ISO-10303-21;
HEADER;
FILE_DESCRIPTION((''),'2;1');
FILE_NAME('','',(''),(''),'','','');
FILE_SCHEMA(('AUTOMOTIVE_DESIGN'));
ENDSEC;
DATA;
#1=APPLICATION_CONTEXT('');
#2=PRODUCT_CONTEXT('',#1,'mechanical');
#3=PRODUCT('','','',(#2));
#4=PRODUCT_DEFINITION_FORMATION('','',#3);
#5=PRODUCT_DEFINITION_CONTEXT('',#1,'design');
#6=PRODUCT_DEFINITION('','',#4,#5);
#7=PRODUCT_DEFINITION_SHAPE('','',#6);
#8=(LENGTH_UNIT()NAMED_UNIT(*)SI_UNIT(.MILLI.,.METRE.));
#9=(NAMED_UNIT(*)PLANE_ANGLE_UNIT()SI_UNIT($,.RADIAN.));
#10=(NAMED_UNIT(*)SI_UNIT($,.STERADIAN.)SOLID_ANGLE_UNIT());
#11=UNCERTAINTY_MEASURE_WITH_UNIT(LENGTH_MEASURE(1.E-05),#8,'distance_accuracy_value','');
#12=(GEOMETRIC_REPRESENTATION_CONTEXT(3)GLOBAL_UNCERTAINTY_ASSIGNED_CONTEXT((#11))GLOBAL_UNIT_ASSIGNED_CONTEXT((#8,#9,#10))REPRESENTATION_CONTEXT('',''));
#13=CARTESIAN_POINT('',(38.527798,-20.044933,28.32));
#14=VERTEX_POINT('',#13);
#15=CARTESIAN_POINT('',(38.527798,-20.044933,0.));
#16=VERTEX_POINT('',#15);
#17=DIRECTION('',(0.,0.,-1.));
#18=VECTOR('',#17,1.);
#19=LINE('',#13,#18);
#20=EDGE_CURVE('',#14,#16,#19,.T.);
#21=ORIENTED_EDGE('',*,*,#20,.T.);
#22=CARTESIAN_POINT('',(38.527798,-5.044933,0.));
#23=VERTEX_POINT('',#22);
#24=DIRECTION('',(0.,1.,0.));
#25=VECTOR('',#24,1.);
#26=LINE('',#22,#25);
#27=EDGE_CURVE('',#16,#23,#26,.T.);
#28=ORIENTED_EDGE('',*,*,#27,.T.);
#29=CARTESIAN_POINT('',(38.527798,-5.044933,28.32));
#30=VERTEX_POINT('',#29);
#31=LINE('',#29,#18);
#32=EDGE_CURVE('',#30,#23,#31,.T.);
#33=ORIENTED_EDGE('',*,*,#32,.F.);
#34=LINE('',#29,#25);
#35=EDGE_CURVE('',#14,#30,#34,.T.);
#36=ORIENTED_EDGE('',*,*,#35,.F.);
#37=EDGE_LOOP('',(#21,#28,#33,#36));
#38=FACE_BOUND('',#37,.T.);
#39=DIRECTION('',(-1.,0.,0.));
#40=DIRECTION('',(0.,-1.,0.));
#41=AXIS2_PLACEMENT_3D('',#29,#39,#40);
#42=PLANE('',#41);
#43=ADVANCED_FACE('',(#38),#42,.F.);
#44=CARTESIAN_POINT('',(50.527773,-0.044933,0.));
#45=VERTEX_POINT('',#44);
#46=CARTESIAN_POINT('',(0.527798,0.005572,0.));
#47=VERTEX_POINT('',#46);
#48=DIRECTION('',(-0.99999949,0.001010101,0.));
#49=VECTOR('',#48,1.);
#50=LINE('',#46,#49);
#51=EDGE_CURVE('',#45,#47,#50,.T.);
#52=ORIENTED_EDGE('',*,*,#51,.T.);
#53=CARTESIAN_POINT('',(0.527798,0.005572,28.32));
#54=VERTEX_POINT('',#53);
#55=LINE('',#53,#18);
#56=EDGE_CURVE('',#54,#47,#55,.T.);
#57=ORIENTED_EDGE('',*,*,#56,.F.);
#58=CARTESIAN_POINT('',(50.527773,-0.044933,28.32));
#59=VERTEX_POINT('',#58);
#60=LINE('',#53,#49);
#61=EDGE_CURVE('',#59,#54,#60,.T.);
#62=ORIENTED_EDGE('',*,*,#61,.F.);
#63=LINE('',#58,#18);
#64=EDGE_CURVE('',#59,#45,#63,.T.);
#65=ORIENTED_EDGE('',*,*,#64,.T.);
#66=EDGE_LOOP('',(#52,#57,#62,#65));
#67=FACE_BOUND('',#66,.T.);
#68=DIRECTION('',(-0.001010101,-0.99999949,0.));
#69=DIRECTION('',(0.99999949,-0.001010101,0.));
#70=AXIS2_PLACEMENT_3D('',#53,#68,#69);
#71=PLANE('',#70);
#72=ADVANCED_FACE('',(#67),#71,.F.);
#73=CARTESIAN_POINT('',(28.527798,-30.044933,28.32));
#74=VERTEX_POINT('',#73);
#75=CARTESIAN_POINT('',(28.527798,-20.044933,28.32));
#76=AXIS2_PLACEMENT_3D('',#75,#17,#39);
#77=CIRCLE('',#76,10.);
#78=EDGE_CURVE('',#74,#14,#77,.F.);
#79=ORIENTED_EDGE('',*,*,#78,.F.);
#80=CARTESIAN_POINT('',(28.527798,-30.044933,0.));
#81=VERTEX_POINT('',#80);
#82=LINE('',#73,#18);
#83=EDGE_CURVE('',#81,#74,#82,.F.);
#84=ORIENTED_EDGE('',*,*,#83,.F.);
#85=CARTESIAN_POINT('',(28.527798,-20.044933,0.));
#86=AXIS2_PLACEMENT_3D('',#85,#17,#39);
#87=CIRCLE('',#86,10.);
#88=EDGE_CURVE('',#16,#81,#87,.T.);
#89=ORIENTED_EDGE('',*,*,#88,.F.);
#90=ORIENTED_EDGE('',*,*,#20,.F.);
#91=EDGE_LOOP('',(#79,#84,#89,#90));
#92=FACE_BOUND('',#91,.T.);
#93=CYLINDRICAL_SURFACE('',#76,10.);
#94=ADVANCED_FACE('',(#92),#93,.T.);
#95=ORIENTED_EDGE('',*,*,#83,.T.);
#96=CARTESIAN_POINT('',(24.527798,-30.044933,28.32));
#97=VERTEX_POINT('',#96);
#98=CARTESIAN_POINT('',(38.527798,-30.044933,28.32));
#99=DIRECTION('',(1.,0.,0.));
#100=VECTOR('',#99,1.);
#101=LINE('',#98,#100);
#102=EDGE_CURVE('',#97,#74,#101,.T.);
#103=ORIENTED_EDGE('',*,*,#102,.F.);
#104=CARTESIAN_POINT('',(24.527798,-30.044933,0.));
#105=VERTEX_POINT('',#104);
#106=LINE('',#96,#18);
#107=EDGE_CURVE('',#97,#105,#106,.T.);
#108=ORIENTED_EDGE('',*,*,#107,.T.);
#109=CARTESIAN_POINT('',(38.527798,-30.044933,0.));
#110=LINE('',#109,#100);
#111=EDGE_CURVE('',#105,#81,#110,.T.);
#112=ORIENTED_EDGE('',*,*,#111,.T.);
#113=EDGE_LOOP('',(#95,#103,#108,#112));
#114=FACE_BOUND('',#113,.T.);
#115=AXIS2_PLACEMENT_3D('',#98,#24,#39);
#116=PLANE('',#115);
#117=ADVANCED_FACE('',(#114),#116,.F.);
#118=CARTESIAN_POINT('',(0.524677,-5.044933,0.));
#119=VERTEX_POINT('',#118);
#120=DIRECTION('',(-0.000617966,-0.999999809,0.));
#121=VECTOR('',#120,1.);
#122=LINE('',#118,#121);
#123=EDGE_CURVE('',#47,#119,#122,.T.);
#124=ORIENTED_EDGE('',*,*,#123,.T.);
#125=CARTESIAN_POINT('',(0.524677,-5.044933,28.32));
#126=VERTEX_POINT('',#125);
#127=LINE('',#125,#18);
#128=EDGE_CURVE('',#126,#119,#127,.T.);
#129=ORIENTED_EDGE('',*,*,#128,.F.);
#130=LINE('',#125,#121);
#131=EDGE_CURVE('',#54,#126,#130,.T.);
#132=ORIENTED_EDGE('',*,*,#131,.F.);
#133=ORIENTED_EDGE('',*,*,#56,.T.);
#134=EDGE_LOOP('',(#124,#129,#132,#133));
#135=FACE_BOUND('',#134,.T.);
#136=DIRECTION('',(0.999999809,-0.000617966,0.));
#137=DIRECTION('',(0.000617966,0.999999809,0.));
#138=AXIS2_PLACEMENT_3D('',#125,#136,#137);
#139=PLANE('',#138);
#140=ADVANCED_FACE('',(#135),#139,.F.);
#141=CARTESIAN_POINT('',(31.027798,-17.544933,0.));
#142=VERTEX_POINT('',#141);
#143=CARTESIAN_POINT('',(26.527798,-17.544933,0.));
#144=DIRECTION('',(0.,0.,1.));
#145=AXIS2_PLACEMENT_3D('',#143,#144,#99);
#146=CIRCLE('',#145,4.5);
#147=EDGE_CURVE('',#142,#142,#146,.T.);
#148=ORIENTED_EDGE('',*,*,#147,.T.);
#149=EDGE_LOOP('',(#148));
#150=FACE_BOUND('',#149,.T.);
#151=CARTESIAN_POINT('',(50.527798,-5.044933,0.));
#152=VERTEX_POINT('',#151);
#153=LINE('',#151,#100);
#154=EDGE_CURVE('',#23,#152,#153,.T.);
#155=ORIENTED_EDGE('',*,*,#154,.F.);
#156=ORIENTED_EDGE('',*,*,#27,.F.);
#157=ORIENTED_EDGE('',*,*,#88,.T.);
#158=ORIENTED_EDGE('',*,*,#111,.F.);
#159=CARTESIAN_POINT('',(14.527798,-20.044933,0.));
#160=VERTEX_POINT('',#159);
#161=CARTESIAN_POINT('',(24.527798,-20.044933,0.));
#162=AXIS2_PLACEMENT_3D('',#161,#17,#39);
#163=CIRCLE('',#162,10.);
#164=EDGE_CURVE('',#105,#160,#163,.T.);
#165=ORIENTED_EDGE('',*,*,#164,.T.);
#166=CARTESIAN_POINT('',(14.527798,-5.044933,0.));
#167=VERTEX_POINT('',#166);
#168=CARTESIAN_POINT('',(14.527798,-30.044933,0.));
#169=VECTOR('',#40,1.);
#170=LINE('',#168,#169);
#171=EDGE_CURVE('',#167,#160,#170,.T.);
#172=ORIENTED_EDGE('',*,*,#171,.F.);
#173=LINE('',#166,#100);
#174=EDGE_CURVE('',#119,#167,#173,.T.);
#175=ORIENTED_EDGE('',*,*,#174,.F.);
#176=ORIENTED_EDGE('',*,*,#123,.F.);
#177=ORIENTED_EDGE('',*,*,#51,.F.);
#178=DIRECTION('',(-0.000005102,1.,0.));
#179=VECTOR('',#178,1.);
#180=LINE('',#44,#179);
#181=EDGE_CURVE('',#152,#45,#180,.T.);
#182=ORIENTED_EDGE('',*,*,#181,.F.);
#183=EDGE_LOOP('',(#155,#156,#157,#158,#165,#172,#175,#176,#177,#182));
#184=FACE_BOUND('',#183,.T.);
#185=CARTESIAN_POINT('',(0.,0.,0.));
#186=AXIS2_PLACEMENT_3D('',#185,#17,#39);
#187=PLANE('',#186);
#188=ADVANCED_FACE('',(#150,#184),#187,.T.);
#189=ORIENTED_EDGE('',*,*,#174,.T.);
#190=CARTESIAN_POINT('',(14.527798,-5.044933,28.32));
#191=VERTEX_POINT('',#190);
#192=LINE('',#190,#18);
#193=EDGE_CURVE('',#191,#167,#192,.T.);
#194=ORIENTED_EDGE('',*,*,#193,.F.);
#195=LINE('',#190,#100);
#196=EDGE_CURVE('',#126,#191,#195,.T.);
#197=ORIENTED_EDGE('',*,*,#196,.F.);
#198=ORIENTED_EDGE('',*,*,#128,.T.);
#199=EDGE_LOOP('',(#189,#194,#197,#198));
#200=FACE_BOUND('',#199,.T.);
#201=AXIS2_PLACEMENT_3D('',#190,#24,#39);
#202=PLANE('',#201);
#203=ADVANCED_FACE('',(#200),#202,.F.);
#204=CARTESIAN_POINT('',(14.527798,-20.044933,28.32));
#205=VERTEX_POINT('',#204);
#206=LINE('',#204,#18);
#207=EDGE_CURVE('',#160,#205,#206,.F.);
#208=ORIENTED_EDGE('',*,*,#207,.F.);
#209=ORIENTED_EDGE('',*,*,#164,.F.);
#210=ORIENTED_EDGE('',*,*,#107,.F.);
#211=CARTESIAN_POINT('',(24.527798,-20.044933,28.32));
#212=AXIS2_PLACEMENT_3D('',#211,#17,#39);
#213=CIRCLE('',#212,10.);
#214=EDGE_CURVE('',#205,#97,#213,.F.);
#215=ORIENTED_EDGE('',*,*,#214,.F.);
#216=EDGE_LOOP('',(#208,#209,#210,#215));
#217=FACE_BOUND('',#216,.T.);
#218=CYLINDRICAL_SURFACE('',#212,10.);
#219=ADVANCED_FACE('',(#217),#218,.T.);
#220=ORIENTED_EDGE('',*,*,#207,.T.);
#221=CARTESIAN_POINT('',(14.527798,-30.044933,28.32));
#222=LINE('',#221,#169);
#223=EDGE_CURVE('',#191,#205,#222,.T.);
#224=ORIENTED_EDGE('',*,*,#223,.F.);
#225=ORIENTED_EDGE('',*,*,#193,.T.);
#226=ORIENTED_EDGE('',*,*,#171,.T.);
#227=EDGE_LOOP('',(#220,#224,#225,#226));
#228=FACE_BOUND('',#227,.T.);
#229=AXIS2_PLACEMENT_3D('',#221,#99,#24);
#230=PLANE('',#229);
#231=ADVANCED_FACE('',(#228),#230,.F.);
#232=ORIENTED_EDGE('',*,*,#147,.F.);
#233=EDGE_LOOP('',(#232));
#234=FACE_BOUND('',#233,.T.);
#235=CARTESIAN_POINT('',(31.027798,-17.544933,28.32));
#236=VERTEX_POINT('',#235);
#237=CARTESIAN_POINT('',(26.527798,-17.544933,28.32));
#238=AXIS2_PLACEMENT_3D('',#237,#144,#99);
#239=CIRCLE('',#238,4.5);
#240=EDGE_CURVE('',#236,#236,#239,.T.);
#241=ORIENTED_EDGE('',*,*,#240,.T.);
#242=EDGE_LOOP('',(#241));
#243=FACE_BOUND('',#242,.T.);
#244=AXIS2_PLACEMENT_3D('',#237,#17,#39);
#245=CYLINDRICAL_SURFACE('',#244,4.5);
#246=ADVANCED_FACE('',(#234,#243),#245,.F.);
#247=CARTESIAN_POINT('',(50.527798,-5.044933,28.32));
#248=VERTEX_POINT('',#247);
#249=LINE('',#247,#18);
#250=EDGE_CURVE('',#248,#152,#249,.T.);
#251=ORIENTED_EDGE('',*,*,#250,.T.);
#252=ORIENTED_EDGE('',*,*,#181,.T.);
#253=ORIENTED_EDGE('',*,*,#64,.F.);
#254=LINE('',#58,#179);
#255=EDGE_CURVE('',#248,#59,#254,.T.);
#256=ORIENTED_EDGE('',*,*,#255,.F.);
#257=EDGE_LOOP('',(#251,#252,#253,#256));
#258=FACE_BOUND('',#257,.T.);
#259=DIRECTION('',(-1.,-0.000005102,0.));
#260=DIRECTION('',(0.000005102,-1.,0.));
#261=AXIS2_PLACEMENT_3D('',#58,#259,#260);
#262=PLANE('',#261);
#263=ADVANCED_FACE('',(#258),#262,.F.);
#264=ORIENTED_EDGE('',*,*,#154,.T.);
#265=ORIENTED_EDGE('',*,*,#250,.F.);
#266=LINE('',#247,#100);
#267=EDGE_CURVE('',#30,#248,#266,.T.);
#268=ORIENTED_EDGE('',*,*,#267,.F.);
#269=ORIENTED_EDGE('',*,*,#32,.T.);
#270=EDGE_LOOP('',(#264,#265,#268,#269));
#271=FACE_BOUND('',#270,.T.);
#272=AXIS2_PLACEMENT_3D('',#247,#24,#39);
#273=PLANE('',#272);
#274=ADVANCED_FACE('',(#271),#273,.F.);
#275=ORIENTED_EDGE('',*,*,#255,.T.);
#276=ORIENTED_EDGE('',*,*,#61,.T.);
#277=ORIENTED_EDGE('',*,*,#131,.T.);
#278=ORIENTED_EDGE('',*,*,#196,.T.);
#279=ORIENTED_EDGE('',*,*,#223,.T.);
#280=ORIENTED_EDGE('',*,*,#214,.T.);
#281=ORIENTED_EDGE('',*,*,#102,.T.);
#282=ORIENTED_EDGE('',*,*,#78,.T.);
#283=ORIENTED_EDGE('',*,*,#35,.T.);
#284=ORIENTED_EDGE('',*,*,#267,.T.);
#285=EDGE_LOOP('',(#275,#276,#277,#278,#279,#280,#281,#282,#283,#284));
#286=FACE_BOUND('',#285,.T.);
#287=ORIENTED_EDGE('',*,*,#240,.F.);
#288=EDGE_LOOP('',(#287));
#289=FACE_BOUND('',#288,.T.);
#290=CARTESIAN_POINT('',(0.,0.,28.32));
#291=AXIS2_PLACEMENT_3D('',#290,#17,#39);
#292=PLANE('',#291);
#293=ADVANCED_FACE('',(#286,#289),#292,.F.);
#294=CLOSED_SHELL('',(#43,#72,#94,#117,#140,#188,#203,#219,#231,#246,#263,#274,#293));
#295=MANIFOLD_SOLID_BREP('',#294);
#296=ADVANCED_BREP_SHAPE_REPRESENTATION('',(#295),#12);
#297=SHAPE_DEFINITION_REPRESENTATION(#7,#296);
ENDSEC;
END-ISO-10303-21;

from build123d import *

# Parameters (mm, degrees)
CROQUIS1_R              = 4.5
SALIENTE_EXTRUIR1_DEPTH = 28.32
REDONDEO1_R             = 10


with BuildPart() as part:
    # Croquis1 → Saliente-Extruir1 (new body)
    with BuildSketch(Plane.XY):
        Polygon((0.527798388, 0.005572044), (50.52777288, -0.044933007), (50.527798388, -5.044933007), (38.527798388, -5.044933007), (38.527798388, -30.044933007), (14.527798388, -30.044933007), (14.527798388, -5.044933007), (0.524677348, -5.044933007), align=None)
        with Locations((26.527798388, -17.544933007)):
            Circle(CROQUIS1_R, mode=Mode.SUBTRACT)
    extrude(amount=SALIENTE_EXTRUIR1_DEPTH)

    # Redondeo1
    redondeo1_edges = [part.edges().sort_by_distance(p)[0] for p in [
        (38.527798388, -30.044933007, 14.16),
        (14.527798388, -30.044933007, 14.16),
    ]]
    fillet(redondeo1_edges, radius=REDONDEO1_R)


solid = part.part
